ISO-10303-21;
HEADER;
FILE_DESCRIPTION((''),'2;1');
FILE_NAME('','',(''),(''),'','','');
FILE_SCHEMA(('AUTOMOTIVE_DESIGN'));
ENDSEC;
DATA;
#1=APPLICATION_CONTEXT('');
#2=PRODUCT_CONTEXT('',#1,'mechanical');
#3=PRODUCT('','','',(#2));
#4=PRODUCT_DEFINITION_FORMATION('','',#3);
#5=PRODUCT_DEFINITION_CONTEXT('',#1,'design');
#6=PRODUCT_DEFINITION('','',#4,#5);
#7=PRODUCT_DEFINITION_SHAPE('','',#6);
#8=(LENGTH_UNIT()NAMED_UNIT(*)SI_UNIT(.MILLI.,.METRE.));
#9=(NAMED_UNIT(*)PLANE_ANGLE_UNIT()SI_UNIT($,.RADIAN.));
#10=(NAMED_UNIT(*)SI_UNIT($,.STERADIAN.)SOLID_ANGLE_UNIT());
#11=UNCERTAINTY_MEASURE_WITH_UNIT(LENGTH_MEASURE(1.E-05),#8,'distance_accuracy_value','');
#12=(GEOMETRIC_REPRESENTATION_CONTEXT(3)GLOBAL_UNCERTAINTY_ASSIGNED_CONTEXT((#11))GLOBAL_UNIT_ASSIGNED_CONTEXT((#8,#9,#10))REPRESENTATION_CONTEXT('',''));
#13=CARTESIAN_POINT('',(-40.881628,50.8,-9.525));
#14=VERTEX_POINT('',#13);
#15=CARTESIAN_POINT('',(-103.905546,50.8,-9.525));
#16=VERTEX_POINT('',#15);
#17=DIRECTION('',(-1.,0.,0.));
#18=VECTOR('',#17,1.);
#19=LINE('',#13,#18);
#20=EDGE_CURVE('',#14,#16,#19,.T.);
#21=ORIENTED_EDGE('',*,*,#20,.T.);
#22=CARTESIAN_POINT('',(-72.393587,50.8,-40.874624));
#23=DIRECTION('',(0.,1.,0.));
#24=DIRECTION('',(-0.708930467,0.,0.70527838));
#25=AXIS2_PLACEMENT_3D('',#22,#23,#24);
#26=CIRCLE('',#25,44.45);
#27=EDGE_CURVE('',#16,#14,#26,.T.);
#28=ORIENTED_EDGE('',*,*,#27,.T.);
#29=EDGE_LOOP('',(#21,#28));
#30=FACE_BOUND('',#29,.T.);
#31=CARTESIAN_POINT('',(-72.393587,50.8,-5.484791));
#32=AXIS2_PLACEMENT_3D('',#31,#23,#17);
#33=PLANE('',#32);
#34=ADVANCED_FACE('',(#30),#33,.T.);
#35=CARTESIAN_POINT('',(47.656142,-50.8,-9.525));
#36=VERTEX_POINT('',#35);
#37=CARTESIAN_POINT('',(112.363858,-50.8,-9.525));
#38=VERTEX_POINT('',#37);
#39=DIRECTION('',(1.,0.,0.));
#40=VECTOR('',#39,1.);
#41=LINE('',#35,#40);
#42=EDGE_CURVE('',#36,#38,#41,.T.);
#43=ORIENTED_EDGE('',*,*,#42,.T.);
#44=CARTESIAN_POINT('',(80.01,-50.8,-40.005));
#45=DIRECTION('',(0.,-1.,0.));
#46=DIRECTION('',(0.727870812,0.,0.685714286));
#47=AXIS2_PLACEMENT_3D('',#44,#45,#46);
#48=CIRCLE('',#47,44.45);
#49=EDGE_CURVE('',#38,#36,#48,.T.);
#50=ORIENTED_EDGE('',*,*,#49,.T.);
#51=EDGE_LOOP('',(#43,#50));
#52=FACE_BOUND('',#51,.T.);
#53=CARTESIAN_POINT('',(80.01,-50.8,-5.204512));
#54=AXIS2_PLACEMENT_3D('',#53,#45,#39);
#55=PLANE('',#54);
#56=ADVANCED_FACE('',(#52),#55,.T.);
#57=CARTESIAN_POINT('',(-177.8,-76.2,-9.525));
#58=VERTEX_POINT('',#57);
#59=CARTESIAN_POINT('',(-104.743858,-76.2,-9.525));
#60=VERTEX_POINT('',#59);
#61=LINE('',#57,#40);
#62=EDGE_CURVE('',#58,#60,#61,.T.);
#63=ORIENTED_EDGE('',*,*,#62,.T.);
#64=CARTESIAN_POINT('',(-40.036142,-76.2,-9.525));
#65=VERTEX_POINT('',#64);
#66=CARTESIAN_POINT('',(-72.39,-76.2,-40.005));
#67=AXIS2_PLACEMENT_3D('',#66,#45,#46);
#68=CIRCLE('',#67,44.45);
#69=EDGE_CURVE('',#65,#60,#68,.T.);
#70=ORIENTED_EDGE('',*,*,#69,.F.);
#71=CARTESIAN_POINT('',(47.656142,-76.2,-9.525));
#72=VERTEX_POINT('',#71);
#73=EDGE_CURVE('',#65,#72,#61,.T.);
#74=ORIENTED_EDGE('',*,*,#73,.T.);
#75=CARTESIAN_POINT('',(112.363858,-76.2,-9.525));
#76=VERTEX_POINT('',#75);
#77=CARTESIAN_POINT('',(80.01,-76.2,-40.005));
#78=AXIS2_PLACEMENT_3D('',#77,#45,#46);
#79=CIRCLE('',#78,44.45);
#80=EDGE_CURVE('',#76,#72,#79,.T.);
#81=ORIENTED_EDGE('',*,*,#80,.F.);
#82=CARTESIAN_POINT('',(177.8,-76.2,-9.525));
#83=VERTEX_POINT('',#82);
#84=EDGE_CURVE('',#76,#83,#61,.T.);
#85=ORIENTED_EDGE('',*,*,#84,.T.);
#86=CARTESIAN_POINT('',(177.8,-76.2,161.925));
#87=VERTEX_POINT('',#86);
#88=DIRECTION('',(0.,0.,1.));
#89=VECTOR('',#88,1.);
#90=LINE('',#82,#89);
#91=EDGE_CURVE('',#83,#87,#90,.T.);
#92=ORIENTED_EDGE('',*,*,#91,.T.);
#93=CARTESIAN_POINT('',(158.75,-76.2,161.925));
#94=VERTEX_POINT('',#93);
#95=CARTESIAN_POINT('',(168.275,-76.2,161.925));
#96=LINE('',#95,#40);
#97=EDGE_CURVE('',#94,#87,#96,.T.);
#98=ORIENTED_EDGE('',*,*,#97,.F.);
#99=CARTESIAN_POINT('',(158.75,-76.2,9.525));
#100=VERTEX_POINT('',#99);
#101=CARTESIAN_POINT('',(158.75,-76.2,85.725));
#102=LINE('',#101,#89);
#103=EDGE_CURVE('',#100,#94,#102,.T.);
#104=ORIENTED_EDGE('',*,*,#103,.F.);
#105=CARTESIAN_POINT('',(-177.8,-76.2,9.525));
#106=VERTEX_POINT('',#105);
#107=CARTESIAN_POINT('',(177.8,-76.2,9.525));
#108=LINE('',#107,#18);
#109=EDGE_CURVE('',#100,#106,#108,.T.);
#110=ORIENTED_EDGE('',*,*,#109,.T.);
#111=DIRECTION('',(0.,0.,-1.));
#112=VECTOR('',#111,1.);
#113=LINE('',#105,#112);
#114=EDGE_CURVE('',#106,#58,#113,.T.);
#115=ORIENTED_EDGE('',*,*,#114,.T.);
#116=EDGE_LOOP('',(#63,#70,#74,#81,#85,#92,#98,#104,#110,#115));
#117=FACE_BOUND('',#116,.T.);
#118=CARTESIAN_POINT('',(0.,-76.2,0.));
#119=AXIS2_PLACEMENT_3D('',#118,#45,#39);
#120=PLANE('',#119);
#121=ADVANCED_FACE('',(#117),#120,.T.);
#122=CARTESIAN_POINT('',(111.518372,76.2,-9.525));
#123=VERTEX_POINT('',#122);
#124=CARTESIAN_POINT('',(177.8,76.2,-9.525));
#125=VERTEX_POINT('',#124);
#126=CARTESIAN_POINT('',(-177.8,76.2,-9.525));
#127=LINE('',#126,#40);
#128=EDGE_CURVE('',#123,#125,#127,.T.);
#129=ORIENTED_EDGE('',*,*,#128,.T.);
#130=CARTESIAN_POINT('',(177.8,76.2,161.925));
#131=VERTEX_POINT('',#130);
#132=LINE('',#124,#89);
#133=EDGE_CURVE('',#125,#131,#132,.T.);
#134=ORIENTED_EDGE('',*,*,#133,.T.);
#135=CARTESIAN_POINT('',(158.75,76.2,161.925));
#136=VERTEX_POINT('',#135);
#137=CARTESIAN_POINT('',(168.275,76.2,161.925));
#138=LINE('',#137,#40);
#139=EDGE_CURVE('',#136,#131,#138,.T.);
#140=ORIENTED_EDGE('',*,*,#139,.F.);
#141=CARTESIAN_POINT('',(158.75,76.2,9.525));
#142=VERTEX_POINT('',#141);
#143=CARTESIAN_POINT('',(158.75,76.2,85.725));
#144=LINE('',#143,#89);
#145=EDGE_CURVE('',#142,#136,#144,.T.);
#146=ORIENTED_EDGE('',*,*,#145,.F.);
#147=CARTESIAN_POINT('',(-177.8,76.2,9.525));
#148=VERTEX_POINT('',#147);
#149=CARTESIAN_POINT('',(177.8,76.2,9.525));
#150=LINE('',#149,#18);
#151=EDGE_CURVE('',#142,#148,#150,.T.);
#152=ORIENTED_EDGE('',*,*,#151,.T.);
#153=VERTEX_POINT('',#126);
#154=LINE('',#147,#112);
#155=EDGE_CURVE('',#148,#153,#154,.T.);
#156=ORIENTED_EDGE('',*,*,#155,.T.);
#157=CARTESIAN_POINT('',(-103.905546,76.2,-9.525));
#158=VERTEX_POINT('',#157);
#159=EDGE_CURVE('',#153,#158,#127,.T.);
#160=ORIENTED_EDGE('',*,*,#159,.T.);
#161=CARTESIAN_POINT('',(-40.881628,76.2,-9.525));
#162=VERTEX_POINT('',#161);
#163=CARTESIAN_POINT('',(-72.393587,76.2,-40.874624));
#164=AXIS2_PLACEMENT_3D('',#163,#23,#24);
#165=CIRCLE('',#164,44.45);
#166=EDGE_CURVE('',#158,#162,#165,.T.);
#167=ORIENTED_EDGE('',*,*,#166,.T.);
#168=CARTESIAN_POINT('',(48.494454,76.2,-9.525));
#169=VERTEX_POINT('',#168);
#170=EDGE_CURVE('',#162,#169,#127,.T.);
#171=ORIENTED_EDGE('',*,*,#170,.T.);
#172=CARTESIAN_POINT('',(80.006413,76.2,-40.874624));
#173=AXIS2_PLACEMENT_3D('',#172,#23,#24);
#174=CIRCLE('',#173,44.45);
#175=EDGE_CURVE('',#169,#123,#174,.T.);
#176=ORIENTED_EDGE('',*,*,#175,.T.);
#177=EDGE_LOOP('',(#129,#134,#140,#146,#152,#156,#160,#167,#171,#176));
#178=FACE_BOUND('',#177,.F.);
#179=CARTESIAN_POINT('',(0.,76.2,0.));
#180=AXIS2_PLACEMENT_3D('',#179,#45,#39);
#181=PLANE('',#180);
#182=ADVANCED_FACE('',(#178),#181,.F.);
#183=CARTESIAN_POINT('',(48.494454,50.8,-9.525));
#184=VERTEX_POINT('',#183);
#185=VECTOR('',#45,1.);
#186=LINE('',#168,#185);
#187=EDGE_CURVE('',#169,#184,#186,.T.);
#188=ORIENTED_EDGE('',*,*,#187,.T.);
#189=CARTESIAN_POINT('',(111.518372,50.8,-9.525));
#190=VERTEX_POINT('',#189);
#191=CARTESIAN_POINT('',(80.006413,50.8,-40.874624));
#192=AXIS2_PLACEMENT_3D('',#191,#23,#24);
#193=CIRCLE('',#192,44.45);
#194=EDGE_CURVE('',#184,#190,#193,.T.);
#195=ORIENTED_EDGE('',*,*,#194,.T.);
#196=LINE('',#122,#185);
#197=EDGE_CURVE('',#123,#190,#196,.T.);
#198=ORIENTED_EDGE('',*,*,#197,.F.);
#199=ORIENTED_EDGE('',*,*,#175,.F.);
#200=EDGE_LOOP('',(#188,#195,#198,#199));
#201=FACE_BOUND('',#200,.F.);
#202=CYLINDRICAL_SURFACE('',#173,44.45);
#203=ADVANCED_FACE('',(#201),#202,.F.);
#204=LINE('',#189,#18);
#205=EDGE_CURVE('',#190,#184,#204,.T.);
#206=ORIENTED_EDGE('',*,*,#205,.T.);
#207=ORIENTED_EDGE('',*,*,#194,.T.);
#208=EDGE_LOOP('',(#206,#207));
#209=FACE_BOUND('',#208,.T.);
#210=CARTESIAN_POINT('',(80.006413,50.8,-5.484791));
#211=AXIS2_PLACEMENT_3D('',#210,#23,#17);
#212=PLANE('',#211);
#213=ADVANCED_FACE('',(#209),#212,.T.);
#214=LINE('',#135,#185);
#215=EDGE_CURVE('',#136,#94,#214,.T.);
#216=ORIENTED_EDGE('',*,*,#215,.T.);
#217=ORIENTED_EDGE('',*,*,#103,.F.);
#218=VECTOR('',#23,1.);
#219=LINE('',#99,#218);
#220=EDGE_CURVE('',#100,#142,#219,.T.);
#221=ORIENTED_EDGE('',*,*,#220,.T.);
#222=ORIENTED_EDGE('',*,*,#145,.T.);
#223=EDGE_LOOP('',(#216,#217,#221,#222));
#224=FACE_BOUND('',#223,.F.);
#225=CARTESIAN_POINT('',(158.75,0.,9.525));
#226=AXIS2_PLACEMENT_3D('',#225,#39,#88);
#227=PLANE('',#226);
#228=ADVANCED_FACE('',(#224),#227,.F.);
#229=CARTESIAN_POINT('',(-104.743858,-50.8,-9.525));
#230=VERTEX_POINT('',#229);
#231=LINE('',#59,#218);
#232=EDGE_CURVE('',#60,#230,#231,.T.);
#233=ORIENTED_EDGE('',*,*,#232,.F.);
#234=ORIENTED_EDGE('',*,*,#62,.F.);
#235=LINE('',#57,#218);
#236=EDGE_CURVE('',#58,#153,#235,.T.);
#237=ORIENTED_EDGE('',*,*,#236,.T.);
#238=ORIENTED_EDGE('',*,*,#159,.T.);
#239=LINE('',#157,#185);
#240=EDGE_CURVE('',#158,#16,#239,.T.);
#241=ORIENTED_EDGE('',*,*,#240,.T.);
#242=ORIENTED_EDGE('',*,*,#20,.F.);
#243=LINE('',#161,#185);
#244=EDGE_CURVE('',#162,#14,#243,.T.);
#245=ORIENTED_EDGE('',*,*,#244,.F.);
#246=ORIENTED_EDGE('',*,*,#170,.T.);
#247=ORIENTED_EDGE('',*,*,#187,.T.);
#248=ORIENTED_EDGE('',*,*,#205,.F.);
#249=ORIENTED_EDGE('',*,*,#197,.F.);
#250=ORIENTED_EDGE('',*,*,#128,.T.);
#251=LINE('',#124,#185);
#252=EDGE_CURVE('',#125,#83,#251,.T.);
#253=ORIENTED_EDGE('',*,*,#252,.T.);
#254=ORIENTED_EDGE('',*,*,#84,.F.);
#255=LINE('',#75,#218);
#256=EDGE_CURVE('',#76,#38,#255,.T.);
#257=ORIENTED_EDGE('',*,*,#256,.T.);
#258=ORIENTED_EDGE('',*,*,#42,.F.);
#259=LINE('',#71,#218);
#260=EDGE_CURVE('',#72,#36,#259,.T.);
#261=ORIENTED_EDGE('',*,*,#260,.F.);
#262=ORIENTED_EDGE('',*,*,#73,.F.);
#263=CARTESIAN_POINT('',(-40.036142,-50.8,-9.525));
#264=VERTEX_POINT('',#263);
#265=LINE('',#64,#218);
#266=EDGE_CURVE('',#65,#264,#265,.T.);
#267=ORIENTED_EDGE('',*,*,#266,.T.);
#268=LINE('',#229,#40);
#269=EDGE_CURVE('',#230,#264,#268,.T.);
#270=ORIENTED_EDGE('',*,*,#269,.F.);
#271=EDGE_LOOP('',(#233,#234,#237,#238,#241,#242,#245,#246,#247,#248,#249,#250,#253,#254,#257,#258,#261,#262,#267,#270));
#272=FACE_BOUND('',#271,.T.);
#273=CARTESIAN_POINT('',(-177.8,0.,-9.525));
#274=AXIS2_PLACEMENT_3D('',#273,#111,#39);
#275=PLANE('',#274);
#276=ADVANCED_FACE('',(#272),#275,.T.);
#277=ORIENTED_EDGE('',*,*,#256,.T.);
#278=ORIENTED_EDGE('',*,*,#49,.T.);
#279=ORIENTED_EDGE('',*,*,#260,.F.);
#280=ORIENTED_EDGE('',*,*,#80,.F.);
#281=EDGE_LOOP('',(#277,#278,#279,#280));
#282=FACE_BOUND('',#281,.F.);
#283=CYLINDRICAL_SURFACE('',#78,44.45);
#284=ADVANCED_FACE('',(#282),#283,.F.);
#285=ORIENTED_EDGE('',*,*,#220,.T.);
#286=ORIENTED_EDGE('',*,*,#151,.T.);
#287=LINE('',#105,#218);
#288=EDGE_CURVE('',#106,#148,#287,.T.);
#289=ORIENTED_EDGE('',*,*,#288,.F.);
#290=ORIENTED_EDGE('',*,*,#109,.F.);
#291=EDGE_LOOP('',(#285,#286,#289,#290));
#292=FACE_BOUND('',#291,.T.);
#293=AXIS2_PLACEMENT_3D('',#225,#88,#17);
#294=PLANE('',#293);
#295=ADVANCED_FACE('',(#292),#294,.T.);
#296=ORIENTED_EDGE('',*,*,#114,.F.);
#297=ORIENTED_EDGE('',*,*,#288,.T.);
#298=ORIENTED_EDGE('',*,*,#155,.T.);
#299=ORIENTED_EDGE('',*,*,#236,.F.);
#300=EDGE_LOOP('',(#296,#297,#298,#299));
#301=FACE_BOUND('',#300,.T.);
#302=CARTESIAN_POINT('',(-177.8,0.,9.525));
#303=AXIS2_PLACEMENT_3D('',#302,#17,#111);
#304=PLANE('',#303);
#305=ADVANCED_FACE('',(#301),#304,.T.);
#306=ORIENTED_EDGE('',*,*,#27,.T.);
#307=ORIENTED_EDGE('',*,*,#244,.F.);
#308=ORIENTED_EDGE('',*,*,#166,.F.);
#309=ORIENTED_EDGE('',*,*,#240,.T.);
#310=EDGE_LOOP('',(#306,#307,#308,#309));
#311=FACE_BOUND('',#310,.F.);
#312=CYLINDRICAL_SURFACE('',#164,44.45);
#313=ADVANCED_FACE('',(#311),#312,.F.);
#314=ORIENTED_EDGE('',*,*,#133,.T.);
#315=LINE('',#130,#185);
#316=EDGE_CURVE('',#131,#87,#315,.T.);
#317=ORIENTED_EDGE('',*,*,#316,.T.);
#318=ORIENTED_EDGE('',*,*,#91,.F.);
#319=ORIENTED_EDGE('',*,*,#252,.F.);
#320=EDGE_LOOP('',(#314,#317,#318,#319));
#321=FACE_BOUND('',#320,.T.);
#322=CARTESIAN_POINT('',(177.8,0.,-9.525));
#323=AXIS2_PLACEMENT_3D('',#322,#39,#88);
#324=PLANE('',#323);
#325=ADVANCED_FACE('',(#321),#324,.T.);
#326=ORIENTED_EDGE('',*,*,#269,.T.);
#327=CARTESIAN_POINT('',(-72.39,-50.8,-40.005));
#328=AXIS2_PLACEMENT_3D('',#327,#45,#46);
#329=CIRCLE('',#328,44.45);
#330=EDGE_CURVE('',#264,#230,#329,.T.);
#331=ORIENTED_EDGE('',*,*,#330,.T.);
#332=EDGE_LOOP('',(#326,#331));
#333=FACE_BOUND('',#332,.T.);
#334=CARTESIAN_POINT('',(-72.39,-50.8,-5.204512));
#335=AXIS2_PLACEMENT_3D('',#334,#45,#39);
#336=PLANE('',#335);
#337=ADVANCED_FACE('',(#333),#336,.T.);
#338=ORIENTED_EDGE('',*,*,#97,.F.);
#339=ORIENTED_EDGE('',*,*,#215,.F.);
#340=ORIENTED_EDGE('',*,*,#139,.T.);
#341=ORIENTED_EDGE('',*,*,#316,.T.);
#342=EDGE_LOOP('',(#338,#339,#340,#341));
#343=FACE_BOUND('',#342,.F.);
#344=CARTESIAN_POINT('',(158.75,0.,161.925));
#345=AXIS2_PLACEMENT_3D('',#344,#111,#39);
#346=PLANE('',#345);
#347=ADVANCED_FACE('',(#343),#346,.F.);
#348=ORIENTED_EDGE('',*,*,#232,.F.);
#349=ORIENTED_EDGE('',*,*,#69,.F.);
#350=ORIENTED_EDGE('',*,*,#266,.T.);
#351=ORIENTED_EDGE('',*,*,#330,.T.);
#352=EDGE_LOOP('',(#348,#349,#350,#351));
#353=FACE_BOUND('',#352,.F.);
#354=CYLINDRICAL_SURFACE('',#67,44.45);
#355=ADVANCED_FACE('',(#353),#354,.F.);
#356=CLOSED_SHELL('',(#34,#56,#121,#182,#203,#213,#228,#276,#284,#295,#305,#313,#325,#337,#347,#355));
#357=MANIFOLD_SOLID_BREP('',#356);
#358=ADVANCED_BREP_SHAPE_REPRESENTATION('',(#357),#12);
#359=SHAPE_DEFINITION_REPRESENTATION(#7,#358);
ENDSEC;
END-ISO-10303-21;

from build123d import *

# Parameters (mm, degrees)
F0_W     = 19.05
F0_H     = 152.4
F1_DEPTH = 76.2
F3_DEPTH = 25.4
F5_DEPTH = 25.4


with BuildPart() as f1:
    # F0 (on Front) → F1 (new body, symmetric)
    with BuildSketch(Plane.XZ):
        Polygon((-177.8, -9.525), (177.8, -9.525), (177.8, 9.525), (158.75, 9.525), (-177.8, 9.525), align=None)
        with Locations((168.275, 85.725)):
            Rectangle(F0_W, F0_H)
    extrude(amount=F1_DEPTH, both=True)

    # F2 (on face) → F3 (cut)
    with BuildSketch(Plane.XZ.offset(76.2)):
        with BuildLine():
            ThreePointArc((-40.0361424247, -9.525), (-72.39, 4.445), (-104.7438575753, -9.525))
            Line((-104.7438575753, -9.525), (-72.39, -9.525))
            Line((-72.39, -9.525), (-40.0361424247, -9.525))
        make_face()
        with BuildLine():
            ThreePointArc((112.3638575753, -9.525), (80.01, 4.445), (47.6561424247, -9.525))
            Line((47.6561424247, -9.525), (80.01, -9.525))
            Line((80.01, -9.525), (112.3638575753, -9.525))
        make_face()
    extrude(amount=-F3_DEPTH, mode=Mode.SUBTRACT)

    # F4 (on face) → F5 (cut)
    with BuildSketch(Plane(origin=(0, 76.2, 0), x_dir=(-1, 0, 0), z_dir=(0, 1, 0))):
        with BuildLine():
            ThreePointArc((-48.4944535083, -9.525), (-80.0064127753, 3.5753760285), (-111.5183720423, -9.525))
            Line((-111.5183720423, -9.525), (-48.4944535083, -9.525))
        make_face()
        with BuildLine():
            ThreePointArc((103.9055464917, -9.525), (72.3935872247, 3.5753760285), (40.8816279577, -9.525))
            Line((40.8816279577, -9.525), (103.9055464917, -9.525))
        make_face()
    extrude(amount=-F5_DEPTH, mode=Mode.SUBTRACT)


solid = f1.part
